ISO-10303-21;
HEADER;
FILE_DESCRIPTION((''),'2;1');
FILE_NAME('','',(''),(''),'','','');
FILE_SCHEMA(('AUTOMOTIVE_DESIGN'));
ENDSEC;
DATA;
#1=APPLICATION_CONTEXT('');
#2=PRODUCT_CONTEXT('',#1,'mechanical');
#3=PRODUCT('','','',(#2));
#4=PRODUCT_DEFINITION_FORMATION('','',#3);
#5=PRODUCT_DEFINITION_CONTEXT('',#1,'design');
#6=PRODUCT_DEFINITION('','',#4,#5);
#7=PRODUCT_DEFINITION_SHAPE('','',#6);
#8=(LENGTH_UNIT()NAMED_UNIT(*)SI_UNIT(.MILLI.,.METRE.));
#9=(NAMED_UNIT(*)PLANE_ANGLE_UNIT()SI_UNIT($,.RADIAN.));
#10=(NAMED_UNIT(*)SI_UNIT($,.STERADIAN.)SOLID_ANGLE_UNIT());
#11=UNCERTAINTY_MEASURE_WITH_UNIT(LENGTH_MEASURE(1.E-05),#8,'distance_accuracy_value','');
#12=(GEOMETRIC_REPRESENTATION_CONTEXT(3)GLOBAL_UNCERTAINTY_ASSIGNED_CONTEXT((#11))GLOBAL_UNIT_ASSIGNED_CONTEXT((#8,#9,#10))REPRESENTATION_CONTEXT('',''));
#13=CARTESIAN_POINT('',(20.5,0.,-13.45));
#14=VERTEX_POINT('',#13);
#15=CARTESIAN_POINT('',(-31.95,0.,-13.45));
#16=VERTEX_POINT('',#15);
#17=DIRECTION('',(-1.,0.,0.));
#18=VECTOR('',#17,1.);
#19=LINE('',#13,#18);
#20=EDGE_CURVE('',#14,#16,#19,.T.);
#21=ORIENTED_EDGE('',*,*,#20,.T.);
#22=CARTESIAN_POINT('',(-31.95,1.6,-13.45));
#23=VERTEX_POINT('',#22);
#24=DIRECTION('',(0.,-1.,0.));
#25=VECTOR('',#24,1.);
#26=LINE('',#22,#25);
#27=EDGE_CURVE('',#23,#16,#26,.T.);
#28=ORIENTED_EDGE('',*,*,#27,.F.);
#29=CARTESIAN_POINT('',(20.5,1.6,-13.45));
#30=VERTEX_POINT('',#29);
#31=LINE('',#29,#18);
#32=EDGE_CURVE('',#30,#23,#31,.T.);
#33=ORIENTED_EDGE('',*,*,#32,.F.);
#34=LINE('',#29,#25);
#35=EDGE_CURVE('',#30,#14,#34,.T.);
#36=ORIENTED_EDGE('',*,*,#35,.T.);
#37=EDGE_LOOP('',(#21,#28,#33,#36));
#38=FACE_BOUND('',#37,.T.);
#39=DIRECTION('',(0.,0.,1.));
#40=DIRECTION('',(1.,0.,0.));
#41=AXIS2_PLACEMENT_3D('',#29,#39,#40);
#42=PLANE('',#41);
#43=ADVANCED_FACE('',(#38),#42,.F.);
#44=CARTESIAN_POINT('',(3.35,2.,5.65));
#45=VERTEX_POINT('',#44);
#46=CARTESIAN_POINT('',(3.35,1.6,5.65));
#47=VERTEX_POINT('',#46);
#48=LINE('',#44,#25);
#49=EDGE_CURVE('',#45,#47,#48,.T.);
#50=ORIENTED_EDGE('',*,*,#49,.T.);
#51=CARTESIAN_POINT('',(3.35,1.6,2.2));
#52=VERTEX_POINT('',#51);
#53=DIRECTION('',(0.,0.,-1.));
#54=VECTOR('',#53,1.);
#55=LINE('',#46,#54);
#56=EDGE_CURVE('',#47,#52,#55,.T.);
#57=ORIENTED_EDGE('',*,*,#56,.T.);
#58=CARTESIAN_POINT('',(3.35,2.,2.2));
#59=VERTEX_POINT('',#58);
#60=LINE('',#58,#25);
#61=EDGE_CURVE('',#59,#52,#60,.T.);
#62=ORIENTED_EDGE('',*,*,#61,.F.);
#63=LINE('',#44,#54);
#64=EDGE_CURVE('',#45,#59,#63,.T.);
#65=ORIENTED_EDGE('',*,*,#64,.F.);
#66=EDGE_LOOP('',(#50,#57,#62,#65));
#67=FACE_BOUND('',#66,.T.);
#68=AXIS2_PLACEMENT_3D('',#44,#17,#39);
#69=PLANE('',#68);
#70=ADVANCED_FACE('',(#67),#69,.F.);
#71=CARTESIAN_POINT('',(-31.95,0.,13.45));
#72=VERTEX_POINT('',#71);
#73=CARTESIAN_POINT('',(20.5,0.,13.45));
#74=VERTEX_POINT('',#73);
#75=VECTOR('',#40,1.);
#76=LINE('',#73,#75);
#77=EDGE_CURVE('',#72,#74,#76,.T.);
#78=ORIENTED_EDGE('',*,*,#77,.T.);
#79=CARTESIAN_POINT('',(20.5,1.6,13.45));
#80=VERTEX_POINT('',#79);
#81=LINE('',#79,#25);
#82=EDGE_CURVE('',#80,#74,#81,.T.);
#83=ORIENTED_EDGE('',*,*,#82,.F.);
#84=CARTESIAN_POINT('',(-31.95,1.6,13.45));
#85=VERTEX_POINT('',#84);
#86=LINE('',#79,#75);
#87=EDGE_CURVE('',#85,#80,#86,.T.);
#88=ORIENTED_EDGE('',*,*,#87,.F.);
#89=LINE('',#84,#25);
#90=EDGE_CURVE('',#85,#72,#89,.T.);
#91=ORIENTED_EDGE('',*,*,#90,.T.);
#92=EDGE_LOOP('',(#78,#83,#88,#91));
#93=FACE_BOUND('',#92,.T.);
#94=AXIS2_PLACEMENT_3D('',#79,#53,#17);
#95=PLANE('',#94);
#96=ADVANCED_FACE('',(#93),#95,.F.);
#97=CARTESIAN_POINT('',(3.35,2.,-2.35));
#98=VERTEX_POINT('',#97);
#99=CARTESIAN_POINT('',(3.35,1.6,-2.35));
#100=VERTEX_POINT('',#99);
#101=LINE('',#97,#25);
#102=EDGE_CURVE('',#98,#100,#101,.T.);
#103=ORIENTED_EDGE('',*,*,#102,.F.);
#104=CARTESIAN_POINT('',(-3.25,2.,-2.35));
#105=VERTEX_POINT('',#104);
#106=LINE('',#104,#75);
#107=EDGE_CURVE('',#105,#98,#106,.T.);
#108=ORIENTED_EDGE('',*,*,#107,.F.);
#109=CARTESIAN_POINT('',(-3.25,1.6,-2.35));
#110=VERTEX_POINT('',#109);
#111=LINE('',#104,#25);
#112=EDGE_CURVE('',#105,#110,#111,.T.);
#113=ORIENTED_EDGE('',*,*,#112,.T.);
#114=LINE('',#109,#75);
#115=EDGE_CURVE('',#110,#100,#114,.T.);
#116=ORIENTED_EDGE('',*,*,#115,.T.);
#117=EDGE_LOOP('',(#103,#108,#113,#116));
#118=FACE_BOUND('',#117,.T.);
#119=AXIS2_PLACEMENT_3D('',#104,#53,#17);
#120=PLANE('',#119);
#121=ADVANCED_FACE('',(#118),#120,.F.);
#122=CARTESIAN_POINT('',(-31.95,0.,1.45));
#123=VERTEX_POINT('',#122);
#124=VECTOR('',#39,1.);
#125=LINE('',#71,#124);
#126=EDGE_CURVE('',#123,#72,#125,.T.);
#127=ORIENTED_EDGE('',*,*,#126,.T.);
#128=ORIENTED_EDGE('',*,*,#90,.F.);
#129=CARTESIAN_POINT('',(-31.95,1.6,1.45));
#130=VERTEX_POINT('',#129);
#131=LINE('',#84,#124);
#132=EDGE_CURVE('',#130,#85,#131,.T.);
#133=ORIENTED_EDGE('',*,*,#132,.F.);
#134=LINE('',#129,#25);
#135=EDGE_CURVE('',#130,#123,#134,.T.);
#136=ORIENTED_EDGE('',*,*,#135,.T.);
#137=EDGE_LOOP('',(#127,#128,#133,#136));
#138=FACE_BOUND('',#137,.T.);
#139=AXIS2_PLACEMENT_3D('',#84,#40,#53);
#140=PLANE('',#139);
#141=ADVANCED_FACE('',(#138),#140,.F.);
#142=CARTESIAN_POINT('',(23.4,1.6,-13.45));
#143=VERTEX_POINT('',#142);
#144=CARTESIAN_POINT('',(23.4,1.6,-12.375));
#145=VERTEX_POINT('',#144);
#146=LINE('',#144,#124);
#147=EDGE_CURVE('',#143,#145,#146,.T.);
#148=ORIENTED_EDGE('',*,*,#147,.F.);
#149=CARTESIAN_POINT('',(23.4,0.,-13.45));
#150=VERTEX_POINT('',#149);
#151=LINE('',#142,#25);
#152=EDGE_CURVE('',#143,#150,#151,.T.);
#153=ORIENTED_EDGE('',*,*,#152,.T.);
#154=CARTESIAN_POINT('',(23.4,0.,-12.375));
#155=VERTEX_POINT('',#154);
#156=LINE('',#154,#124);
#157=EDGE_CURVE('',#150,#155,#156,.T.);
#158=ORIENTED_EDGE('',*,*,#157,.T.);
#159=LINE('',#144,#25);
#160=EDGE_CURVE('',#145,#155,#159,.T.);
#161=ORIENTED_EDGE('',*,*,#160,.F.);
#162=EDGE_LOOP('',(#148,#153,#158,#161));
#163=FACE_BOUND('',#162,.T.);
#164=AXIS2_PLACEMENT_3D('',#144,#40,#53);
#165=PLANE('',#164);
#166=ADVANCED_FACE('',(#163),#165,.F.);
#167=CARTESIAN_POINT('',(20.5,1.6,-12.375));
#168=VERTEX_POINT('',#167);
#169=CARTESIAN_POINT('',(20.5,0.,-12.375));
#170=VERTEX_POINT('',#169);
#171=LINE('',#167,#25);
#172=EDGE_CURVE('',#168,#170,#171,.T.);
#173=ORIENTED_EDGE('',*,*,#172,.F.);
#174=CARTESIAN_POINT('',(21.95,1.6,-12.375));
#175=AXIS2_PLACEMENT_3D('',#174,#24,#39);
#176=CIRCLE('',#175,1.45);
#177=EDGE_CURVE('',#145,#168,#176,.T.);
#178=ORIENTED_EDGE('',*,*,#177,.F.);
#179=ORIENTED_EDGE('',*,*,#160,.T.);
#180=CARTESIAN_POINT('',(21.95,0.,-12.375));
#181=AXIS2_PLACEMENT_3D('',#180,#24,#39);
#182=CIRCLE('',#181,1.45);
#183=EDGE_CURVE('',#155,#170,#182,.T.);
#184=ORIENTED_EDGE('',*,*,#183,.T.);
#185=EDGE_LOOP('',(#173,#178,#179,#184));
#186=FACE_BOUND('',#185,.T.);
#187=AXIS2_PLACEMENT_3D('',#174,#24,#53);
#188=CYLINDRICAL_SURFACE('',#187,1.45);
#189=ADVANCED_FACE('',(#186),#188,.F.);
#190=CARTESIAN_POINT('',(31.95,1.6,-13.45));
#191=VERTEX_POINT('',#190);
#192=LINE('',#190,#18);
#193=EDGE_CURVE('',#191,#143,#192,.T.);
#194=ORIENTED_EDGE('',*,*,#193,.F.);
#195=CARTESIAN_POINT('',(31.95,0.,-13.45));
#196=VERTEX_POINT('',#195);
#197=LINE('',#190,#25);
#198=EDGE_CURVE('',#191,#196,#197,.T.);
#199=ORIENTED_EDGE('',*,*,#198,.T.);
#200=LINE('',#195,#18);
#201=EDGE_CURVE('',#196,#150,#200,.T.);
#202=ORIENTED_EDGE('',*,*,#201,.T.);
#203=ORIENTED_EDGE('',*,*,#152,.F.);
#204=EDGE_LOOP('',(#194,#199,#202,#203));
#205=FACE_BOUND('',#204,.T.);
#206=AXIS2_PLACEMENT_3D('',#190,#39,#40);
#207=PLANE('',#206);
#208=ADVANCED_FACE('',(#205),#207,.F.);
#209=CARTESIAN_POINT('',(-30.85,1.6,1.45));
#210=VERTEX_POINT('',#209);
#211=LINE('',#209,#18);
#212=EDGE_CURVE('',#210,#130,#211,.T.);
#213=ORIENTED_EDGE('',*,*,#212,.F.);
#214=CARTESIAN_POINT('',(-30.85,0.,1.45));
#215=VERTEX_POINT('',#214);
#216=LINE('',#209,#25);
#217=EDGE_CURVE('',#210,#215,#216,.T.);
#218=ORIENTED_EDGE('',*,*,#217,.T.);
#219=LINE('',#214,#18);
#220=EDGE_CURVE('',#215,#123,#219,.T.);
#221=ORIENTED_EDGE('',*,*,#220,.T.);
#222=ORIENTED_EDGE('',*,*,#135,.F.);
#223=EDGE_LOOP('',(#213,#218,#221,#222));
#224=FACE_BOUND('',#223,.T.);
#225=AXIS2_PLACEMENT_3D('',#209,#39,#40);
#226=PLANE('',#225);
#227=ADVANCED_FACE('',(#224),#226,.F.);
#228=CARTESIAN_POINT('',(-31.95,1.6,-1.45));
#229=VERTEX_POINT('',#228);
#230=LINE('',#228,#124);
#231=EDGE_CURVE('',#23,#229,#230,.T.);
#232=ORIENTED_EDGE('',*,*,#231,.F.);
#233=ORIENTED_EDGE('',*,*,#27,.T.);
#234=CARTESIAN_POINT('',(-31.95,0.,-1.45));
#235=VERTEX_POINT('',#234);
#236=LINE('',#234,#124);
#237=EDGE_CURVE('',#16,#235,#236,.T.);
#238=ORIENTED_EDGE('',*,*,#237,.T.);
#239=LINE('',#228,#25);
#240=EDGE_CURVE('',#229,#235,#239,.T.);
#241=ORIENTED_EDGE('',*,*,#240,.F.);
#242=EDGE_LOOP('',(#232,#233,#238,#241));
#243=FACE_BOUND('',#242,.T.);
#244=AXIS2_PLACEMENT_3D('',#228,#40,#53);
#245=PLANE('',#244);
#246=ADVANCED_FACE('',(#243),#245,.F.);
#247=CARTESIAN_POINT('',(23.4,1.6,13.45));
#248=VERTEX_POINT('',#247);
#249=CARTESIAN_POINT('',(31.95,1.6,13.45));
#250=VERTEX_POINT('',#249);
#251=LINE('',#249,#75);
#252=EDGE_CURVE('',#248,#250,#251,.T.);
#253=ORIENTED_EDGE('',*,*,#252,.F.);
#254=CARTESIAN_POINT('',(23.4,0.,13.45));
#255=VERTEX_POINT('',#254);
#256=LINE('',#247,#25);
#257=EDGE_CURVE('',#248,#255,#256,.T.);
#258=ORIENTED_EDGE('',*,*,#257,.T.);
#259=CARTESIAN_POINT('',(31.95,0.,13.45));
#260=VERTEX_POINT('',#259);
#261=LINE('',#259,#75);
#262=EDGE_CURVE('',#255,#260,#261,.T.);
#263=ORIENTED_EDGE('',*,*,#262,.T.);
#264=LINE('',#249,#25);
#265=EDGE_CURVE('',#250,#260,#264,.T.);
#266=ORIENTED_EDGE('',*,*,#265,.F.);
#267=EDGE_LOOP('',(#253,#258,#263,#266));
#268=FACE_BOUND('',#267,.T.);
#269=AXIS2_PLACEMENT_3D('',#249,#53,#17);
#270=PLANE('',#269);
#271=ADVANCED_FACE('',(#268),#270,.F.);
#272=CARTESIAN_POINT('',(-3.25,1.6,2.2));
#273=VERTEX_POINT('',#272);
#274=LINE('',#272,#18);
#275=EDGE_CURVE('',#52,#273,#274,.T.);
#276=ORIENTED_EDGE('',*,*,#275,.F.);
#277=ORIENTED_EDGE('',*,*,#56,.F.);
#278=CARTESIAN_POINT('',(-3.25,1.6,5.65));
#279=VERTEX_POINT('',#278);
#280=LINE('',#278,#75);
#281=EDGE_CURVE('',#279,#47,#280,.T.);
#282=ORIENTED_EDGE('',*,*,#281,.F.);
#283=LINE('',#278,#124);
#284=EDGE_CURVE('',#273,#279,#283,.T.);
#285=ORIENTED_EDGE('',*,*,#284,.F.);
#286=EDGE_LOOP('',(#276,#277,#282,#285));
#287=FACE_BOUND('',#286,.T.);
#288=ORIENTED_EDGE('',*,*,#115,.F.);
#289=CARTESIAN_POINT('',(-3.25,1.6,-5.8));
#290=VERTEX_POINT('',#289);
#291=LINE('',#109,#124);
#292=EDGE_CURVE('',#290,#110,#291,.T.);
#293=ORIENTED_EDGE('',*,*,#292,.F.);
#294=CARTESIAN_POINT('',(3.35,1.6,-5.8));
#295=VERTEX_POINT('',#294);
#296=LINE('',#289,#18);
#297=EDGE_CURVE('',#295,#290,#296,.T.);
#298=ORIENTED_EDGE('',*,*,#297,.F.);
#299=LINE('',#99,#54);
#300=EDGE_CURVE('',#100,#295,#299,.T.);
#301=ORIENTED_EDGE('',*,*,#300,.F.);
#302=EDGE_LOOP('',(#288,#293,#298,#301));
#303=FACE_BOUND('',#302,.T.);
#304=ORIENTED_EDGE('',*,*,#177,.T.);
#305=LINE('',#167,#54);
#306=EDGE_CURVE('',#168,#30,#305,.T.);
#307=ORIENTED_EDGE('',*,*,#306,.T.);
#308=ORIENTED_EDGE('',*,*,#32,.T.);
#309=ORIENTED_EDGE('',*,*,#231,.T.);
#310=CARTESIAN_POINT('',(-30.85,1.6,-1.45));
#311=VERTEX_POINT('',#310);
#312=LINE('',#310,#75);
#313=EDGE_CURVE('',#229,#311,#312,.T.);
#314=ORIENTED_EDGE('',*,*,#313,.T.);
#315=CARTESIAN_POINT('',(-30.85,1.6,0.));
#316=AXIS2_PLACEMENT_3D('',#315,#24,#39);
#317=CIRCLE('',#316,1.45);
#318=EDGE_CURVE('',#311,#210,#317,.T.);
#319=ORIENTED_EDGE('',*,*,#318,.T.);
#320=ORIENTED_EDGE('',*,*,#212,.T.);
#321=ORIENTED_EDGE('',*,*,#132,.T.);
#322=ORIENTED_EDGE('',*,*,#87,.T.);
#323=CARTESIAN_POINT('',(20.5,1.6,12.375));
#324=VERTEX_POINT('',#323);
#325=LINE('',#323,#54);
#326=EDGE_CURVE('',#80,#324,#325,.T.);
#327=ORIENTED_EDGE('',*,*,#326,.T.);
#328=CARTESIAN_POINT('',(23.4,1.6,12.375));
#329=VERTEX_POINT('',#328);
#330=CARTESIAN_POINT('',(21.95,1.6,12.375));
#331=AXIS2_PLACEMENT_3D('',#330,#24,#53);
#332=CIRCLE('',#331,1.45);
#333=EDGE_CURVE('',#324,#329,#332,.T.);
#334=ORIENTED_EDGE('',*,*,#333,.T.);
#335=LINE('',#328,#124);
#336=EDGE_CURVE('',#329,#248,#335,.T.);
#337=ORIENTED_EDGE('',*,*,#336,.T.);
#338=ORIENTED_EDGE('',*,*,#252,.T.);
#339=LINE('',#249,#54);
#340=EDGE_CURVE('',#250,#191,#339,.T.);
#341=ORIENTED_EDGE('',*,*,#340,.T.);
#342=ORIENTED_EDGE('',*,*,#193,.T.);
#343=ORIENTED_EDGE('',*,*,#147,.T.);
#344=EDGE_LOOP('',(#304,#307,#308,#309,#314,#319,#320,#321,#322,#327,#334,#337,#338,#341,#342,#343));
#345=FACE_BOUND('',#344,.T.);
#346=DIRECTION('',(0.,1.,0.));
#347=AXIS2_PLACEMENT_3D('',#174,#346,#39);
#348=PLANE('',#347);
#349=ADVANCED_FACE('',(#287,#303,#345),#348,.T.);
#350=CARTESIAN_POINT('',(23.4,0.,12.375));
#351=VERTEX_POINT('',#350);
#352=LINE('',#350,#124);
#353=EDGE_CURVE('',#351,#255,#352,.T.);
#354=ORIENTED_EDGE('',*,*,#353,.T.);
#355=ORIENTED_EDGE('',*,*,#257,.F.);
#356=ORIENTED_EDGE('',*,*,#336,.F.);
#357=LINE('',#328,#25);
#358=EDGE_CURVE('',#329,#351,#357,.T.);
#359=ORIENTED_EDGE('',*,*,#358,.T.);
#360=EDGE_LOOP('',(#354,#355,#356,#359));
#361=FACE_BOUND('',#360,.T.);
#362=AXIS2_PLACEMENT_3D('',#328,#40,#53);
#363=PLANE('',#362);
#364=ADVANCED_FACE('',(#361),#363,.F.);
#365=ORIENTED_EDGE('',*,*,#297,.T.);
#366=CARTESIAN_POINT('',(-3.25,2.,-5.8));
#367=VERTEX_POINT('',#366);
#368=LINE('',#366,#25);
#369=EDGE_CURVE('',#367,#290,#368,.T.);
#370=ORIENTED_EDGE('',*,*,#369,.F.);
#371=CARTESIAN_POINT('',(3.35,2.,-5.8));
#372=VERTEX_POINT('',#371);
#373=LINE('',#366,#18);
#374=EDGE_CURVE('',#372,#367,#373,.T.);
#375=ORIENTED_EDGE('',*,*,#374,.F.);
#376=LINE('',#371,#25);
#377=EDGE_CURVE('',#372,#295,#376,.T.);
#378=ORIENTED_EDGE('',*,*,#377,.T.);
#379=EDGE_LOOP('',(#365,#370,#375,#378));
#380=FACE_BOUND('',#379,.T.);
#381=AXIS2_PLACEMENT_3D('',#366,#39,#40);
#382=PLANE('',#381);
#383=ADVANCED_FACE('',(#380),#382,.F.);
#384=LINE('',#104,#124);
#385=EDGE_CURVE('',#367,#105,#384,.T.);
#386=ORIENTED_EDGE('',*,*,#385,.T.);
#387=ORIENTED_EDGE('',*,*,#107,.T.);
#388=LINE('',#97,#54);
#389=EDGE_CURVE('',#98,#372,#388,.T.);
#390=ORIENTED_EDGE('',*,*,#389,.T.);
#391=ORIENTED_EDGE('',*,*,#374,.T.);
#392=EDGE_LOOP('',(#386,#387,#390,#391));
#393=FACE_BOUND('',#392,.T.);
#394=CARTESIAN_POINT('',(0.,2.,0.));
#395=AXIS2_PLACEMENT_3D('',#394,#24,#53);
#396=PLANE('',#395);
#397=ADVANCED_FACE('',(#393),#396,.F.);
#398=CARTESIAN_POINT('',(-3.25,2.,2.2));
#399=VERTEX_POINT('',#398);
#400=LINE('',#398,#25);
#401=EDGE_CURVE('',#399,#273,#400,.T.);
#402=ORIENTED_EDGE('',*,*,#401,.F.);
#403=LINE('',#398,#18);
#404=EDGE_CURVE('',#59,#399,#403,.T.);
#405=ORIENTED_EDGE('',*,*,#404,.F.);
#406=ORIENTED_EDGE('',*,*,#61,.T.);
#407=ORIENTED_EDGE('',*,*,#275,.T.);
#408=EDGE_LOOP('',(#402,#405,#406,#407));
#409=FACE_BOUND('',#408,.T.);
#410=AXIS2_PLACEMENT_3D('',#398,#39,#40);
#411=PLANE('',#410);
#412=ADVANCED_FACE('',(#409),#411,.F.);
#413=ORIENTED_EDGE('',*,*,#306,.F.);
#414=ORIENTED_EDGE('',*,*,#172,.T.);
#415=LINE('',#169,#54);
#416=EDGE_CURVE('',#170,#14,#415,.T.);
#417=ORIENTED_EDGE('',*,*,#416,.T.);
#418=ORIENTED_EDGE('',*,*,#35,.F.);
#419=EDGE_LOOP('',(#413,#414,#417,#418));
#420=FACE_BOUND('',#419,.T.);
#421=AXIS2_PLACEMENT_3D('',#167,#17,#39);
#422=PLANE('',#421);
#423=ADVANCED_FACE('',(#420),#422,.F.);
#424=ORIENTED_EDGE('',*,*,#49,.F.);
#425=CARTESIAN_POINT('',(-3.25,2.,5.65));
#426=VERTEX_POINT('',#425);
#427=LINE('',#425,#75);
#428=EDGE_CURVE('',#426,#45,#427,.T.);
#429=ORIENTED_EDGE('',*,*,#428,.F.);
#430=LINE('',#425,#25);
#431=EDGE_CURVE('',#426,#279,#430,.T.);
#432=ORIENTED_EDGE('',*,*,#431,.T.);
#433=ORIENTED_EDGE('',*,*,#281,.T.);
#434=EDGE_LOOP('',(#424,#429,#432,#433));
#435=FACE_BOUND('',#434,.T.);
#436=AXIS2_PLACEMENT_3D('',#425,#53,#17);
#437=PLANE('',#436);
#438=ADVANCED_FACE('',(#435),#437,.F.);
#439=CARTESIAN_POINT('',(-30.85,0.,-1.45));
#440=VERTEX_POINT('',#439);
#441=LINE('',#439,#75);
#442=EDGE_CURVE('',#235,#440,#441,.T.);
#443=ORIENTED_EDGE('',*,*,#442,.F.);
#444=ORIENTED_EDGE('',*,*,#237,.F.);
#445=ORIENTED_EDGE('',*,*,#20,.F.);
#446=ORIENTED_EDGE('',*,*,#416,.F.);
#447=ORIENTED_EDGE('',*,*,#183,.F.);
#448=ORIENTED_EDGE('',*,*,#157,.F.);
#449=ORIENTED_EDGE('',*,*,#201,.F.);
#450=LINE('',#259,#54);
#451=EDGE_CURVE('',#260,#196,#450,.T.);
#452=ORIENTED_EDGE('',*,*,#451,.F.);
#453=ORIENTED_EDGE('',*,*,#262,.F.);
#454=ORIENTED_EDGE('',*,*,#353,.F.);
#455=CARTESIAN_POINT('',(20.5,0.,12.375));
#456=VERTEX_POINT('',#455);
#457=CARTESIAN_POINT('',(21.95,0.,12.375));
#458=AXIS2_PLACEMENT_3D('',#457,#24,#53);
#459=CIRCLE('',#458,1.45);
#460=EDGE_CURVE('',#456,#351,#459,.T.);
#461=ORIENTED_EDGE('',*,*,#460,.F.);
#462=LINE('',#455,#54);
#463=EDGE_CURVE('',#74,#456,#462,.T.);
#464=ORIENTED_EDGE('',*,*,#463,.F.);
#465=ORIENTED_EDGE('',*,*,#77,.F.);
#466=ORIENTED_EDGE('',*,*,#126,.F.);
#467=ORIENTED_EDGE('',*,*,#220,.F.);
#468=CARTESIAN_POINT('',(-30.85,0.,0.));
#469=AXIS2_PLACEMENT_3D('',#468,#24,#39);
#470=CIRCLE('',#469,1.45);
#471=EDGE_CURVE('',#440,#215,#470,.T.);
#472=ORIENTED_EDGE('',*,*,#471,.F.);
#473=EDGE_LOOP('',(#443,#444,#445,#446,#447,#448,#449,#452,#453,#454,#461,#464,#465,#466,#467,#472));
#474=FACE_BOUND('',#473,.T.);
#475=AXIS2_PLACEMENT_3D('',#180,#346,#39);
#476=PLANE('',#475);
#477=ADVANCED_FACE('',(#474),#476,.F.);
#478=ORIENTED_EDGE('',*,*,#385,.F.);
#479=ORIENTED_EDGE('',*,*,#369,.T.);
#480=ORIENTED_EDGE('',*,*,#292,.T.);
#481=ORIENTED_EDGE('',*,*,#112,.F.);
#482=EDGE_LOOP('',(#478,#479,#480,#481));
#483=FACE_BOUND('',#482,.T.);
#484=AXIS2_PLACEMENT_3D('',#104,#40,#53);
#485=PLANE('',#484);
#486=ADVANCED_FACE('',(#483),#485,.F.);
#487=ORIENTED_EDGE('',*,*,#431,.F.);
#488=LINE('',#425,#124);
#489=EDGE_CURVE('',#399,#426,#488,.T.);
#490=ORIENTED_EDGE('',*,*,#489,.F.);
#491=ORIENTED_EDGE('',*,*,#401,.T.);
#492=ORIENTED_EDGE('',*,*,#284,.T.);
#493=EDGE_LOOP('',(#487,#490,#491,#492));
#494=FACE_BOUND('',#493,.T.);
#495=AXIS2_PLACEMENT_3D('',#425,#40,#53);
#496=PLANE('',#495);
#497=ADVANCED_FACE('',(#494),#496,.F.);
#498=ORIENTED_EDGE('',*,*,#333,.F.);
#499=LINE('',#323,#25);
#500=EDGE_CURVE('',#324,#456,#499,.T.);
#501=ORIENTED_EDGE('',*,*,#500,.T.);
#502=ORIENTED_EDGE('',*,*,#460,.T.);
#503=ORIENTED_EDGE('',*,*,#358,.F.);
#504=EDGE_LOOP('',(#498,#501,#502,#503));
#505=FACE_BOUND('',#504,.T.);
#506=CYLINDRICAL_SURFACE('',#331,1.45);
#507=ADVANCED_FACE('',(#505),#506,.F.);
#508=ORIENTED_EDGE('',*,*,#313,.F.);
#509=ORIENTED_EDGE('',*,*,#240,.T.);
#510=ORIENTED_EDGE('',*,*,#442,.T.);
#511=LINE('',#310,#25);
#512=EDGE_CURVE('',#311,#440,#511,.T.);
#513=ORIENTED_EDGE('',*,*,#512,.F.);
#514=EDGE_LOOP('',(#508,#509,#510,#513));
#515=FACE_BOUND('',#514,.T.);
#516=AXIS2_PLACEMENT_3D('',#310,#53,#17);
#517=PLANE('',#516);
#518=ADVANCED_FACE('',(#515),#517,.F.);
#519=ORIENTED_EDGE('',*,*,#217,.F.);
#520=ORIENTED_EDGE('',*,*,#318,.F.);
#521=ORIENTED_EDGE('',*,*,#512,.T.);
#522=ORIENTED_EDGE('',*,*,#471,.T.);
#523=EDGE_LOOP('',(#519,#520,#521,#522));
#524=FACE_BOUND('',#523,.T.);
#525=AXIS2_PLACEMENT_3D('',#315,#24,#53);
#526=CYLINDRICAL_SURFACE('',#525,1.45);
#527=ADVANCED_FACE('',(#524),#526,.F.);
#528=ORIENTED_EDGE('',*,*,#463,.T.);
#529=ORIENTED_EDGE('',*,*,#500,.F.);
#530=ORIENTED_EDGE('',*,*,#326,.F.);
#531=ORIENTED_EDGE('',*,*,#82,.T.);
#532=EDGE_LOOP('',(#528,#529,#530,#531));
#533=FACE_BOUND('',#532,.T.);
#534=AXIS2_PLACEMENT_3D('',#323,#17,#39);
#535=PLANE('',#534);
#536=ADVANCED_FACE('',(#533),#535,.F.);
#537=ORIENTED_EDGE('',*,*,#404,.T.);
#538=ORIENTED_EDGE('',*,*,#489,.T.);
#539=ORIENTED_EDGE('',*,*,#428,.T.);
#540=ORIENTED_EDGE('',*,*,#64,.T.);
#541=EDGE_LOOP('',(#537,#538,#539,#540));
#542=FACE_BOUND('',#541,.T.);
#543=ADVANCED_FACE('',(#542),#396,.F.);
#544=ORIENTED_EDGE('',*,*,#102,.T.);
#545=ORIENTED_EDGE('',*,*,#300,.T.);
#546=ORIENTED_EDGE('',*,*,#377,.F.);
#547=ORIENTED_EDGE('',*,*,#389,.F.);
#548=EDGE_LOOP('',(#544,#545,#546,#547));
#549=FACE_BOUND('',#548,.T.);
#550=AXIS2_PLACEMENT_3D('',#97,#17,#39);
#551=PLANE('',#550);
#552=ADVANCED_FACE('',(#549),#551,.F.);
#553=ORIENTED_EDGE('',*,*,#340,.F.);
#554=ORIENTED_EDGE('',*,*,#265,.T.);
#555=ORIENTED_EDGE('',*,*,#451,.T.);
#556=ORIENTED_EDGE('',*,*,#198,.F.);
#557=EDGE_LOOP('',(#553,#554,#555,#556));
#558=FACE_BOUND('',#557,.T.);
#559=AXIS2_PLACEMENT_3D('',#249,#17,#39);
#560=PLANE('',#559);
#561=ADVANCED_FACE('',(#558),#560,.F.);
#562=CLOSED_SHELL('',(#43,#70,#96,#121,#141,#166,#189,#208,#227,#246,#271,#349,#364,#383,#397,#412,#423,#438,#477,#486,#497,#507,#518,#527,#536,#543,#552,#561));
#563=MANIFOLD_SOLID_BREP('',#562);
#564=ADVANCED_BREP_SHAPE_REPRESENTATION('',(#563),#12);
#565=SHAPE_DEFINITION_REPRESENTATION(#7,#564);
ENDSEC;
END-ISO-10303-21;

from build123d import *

# Parameters (mm, degrees)
BOSS_EXTRUDE1_DEPTH = 1.6
SKETCH2_W           = 6.6
SKETCH2_H           = 3.45
BOSS_EXTRUDE2_DEPTH = 0.4


with BuildPart() as part:
    # Sketch1 → Boss-Extrude1 (new body)
    with BuildSketch(Plane(origin=(0, 0, 0), x_dir=(1, 0, 0), z_dir=(0, 1, 0))):
        with BuildLine():
            Line((31.95, -13.45), (23.4, -13.45))
            Line((23.4, -13.45), (23.4, -12.375))
            ThreePointArc((23.4, -12.375), (21.95, -10.925), (20.5, -12.375))
            Line((20.5, -12.375), (20.5, -13.45))
            Line((20.5, -13.45), (-31.95, -13.45))
            Line((-31.95, -13.45), (-31.95, -1.45))
            Line((-31.95, -1.45), (-30.85, -1.45))
            ThreePointArc((-30.85, -1.45), (-29.4, 0), (-30.85, 1.45))
            Line((-30.85, 1.45), (-31.95, 1.45))
            Line((-31.95, 1.45), (-31.95, 13.45))
            Line((-31.95, 13.45), (20.5, 13.45))
            Line((20.5, 13.45), (20.5, 12.375))
            ThreePointArc((20.5, 12.375), (21.95, 10.925), (23.4, 12.375))
            Line((23.4, 12.375), (23.4, 13.45))
            Line((23.4, 13.45), (31.95, 13.45))
            Line((31.95, 13.45), (31.95, -13.45))
        make_face()
    extrude(amount=BOSS_EXTRUDE1_DEPTH)

    # Sketch2 → Boss-Extrude2 (add)
    with BuildSketch(Plane(origin=(0, 1.6, 0), x_dir=(1, 0, 0), z_dir=(0, 1, 0))):
        with Locations((0.05, 4.075)):
            Rectangle(SKETCH2_W, SKETCH2_H)
        with Locations((0.05, -3.925)):
            Rectangle(SKETCH2_W, SKETCH2_H)
    extrude(amount=BOSS_EXTRUDE2_DEPTH)


solid = part.part
